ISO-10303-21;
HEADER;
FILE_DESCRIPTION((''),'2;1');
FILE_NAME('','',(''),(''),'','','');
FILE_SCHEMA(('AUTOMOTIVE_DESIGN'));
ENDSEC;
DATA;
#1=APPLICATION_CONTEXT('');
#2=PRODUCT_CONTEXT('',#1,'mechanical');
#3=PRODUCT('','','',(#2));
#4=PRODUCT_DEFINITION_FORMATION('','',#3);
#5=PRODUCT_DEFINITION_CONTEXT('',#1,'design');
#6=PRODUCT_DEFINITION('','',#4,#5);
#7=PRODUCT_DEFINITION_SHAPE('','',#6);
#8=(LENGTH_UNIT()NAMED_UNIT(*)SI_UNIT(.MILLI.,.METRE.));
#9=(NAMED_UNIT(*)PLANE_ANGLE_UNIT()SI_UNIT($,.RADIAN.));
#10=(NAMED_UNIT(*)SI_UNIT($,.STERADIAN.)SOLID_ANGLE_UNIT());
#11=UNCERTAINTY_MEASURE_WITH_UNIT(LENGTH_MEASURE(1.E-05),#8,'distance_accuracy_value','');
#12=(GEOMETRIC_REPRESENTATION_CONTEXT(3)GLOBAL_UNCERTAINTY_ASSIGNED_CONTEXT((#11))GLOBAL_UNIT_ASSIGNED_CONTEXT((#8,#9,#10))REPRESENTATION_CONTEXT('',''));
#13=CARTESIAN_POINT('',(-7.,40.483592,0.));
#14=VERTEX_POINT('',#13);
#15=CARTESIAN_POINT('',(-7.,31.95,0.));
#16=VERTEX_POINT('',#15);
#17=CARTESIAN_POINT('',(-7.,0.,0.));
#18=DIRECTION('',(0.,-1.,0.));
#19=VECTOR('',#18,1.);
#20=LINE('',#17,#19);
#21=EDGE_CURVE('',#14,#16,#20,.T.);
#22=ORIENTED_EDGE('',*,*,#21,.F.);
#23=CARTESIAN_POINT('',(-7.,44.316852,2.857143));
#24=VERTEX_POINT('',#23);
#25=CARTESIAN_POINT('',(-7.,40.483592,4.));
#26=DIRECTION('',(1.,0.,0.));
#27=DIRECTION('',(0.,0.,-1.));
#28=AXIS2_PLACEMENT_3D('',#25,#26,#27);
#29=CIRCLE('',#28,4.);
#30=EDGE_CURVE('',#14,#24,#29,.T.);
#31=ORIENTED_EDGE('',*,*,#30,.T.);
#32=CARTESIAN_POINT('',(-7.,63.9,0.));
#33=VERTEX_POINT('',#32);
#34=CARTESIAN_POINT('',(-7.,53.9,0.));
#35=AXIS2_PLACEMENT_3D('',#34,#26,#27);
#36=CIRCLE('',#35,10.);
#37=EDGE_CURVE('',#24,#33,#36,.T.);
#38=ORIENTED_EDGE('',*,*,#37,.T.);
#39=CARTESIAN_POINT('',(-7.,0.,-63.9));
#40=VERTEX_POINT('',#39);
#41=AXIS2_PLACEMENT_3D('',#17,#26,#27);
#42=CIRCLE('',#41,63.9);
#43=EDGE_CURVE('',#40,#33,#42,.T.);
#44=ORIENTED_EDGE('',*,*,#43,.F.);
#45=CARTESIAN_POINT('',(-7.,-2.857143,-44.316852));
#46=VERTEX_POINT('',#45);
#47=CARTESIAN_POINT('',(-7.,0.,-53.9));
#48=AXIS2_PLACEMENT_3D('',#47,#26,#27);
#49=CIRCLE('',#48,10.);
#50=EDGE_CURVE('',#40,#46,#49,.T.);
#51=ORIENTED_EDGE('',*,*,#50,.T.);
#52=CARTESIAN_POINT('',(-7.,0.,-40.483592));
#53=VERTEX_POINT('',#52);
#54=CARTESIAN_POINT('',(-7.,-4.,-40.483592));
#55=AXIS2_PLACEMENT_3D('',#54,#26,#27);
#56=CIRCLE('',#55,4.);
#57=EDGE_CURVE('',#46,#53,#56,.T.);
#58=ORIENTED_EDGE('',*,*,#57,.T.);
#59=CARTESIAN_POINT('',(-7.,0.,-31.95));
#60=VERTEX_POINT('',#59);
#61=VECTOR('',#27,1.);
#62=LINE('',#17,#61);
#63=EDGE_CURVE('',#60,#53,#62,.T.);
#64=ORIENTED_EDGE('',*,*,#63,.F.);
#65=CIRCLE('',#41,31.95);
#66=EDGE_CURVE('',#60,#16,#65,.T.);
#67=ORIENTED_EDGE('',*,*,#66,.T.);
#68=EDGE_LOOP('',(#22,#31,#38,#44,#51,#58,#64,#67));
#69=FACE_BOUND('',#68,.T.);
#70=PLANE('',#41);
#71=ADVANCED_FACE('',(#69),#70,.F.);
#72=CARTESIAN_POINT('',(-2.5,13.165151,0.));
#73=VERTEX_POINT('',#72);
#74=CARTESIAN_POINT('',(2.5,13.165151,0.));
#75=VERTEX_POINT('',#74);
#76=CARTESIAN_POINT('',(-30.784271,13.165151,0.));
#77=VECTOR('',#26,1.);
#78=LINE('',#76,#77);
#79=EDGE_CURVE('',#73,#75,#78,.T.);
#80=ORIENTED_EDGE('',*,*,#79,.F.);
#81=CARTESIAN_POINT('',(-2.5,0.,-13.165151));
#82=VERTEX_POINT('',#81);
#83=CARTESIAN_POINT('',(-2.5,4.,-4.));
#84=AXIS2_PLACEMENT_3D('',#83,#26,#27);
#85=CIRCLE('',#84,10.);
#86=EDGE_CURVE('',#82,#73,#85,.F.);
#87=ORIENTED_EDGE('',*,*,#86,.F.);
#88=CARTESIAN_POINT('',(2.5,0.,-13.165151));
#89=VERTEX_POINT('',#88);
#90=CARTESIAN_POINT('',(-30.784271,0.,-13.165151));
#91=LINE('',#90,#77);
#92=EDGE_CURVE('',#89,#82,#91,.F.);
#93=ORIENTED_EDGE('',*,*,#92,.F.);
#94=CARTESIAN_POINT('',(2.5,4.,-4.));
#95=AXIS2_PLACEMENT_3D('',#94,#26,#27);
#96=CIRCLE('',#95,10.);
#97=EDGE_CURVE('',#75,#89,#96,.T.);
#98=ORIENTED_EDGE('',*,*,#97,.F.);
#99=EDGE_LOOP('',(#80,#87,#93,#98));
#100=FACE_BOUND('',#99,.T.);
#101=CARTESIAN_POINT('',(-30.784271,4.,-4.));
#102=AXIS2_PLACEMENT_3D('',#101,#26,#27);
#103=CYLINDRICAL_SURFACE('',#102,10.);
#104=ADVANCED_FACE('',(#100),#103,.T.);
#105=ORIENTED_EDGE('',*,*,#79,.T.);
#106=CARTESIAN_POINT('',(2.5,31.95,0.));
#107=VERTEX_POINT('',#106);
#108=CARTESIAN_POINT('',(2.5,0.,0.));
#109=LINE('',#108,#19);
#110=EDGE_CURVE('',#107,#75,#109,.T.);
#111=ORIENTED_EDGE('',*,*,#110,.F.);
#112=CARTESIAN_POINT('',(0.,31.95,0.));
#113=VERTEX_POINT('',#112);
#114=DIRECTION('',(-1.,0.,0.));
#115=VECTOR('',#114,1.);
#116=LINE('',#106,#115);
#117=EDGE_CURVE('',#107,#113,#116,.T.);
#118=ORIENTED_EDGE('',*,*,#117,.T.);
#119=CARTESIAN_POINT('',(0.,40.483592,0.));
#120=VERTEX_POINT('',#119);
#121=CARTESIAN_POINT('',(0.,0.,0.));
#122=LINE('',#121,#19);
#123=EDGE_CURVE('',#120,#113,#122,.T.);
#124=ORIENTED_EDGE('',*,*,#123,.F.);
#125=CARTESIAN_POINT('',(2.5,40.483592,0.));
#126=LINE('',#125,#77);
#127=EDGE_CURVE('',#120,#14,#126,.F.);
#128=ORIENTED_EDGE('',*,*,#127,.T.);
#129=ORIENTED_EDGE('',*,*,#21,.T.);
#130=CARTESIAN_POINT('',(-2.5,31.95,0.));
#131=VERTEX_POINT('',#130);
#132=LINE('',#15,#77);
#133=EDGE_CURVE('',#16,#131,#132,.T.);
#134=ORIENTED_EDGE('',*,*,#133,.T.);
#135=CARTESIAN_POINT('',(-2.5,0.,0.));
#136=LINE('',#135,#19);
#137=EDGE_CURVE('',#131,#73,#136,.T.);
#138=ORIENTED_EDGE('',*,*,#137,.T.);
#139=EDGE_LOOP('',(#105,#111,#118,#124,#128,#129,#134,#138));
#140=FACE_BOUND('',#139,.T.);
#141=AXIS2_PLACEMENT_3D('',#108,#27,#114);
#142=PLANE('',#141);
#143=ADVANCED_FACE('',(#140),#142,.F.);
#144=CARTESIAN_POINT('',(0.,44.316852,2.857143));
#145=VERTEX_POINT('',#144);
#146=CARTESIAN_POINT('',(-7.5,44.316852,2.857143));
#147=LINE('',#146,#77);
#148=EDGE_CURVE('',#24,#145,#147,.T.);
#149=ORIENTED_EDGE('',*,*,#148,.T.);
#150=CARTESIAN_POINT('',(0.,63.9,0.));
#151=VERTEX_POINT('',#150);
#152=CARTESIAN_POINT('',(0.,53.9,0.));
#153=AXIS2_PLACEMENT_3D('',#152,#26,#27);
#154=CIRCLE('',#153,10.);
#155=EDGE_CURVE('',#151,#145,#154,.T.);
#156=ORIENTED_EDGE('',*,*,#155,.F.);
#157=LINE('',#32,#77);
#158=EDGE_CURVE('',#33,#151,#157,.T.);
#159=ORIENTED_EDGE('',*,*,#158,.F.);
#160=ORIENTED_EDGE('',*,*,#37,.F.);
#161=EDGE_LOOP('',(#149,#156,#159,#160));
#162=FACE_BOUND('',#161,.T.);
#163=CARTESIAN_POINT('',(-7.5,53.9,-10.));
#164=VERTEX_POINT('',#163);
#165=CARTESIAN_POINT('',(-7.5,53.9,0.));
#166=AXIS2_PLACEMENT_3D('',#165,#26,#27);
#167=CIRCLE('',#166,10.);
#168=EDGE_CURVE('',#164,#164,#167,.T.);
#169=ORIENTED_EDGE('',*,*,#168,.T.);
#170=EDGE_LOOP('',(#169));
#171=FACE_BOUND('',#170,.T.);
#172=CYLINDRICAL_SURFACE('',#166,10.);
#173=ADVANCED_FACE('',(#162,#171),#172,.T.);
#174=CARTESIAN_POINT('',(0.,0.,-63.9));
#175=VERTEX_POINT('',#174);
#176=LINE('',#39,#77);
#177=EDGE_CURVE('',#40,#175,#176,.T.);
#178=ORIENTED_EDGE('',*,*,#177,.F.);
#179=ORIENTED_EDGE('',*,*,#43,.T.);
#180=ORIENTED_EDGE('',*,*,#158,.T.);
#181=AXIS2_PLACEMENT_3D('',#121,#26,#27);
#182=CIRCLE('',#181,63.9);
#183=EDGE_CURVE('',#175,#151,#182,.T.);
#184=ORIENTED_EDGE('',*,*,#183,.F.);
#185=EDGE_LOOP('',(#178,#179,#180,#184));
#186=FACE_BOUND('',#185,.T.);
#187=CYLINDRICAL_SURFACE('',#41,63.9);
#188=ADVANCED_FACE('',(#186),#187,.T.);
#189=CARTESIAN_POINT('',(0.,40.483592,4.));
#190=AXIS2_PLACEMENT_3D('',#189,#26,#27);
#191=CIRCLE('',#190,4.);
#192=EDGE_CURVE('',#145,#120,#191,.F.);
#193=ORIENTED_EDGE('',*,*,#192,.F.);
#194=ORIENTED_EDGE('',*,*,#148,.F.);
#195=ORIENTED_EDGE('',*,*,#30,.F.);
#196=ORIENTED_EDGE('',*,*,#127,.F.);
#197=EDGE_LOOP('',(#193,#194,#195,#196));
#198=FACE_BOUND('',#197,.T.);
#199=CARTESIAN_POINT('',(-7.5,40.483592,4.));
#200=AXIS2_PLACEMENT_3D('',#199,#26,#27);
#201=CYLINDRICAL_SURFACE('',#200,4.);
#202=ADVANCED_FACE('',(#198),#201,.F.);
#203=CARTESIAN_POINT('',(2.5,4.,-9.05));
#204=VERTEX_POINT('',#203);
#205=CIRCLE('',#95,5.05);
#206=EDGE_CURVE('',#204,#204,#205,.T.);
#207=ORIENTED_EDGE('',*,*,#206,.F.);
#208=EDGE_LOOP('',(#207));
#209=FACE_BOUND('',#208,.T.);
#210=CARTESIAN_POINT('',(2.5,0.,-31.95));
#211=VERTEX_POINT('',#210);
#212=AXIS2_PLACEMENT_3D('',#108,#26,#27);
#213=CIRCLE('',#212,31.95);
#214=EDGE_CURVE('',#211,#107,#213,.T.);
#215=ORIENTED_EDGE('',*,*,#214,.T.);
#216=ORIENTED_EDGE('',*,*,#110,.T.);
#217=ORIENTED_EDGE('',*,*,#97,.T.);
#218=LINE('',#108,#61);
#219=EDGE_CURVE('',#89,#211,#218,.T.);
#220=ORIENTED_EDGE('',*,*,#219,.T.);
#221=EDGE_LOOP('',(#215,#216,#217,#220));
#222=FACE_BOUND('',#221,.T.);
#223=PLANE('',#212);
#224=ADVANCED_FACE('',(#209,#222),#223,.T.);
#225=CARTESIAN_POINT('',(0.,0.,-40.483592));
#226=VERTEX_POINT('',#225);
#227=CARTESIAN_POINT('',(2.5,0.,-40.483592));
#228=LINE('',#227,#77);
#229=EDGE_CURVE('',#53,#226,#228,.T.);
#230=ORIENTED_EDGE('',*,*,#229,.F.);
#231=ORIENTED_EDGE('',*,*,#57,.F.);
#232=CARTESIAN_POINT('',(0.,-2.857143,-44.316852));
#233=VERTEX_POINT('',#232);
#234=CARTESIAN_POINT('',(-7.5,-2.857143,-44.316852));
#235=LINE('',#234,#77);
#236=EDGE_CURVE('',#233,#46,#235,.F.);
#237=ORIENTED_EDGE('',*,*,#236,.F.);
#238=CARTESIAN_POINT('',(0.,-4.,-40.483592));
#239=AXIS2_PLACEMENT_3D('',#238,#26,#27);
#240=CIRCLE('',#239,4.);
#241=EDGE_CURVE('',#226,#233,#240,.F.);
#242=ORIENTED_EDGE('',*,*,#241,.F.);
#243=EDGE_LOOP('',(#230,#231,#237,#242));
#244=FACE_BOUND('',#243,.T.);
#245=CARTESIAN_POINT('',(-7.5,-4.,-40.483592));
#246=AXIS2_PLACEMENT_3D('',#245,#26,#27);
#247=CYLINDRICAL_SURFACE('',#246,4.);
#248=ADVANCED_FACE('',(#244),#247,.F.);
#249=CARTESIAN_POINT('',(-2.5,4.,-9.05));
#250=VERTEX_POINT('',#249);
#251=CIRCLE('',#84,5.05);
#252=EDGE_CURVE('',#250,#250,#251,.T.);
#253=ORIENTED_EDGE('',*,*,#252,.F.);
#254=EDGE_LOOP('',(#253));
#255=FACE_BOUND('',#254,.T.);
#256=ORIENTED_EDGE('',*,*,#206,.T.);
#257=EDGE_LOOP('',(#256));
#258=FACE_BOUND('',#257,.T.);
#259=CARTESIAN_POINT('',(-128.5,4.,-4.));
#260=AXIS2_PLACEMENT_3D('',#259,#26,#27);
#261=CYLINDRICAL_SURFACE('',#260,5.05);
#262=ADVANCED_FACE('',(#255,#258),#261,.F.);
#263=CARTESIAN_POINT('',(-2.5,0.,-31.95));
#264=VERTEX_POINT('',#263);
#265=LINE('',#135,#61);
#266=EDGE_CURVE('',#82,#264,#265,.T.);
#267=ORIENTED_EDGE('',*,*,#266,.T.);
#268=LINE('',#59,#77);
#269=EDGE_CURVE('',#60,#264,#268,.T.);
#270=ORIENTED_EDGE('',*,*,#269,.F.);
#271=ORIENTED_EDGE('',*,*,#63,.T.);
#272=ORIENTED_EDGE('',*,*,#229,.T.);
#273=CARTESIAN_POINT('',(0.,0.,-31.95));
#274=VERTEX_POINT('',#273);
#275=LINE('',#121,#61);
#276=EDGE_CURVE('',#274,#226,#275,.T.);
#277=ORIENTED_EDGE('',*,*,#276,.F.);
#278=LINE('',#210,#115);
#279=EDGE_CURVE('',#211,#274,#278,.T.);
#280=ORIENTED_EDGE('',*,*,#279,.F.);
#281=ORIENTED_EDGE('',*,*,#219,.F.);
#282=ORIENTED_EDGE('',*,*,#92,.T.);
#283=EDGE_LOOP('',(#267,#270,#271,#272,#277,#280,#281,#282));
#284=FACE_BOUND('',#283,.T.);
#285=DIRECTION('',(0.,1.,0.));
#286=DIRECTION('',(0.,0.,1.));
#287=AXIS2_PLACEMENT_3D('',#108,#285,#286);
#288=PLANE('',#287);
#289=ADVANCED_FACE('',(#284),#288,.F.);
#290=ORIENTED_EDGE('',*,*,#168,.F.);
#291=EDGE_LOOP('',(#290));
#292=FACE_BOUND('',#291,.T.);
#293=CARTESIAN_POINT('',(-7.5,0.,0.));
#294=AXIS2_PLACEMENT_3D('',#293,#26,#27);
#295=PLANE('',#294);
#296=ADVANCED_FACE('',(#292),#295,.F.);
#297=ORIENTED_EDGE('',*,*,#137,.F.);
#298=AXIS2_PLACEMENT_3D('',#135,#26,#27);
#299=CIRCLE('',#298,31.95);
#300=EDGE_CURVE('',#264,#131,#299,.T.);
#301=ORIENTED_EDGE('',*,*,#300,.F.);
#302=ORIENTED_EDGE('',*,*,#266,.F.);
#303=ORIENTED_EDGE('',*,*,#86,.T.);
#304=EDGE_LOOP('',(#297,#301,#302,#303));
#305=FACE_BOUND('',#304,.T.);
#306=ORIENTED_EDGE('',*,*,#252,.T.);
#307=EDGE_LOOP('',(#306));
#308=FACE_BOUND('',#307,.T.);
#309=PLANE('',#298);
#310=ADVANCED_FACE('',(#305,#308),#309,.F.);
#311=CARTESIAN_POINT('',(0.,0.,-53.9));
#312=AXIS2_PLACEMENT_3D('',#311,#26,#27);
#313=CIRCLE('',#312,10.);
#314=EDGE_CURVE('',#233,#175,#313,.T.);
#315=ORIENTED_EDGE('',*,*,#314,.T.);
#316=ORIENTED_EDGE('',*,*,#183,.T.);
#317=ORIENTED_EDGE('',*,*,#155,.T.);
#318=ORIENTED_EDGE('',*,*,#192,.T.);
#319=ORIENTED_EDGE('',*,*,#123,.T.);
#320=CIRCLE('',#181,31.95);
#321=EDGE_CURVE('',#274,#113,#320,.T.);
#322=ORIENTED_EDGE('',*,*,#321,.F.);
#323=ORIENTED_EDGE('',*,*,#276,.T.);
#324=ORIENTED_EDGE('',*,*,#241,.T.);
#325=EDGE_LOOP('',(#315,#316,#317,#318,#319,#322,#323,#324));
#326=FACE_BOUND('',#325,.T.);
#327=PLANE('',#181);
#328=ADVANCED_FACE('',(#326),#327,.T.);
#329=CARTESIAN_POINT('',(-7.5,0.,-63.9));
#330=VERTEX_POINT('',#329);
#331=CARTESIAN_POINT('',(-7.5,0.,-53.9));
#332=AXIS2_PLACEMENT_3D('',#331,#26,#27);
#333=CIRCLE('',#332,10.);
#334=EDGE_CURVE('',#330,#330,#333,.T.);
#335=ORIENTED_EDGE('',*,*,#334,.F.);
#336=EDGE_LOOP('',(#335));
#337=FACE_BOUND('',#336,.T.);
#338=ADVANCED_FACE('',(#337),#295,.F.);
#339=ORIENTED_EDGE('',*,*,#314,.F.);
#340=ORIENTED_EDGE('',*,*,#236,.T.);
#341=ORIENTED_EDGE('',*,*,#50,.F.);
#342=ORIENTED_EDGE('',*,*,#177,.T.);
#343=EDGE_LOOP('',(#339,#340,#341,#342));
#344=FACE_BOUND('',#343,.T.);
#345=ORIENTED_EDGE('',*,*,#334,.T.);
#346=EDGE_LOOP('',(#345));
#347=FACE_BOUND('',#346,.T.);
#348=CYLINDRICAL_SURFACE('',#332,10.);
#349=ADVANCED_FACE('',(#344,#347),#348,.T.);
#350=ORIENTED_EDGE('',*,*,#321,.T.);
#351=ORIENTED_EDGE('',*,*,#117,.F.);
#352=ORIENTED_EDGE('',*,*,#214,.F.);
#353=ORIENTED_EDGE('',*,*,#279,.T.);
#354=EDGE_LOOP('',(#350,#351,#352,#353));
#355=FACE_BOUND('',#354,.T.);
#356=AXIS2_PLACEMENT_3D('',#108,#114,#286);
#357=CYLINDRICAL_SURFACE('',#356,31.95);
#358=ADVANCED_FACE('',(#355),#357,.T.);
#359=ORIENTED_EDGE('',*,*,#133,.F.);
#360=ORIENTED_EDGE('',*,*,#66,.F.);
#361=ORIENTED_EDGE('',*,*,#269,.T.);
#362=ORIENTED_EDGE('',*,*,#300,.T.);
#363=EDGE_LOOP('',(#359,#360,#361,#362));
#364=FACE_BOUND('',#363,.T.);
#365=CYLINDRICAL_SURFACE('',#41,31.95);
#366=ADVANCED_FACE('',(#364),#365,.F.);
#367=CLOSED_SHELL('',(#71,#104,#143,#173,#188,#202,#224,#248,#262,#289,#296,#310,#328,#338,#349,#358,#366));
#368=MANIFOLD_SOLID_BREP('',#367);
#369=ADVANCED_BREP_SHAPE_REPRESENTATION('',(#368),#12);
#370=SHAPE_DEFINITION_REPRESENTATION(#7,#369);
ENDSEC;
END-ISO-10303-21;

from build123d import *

# Parameters (mm, degrees)
SALIENTE_EXTRUIR1_DEPTH = 2.5
SALIENTE_EXTRUIR2_DEPTH = 7
CROQUIS2_4_R            = 10
SALIENTE_EXTRUIR3_DEPTH = 7.5
REDONDEO1_R             = 4
REDONDEO2_R             = 4
CROQUIS3_R              = 10
SALIENTE_EXTRUIR4_DEPTH = 5
CROQUIS4_R              = 5.05
CORTAR_EXTRUIR1_DEPTH   = 131


with BuildPart() as part:
    # Croquis2 → Saliente-Extruir1 (new, symmetric)
    with BuildSketch(Plane(origin=(0, 0, 0), x_dir=(0, 0, -1), z_dir=(1, 0, 0))):
        with BuildLine():
            ThreePointArc((31.95, 0), (22.592061659, 22.592061659), (0, 31.95))
            Line((0, 31.95), (0, 0))
            Line((0, 0), (31.95, 0))
        make_face()
    extrude(amount=SALIENTE_EXTRUIR1_DEPTH, both=True)

    # Croquis2<3> → Saliente-Extruir2 (add)
    with BuildSketch(Plane(origin=(0, 0, 0), x_dir=(0, 0, -1), z_dir=(1, 0, 0))):
        with BuildLine():
            ThreePointArc((10, 53.9), (7.071067812, 46.828932188), (0, 43.9))
            Line((0, 43.9), (0, 31.95))
            ThreePointArc((0, 31.95), (22.592061659, 22.592061659), (31.95, 0))
            Line((31.95, 0), (43.9, 0))
            ThreePointArc((43.9, 0), (53.9, 10), (63.9, 0))
            ThreePointArc((63.9, 0), (45.184123318, 45.184123318), (0, 63.9))
            ThreePointArc((0, 63.9), (7.071067812, 60.971067812), (10, 53.9))
        make_face()
    extrude(amount=-SALIENTE_EXTRUIR2_DEPTH)

    # Croquis2<4> → Saliente-Extruir3 (add)
    with BuildSketch(Plane(origin=(0, 0, 0), x_dir=(0, 0, -1), z_dir=(1, 0, 0))):
        with Locations((0, 53.9)):
            Circle(CROQUIS2_4_R)
        with Locations((53.9, 0)):
            Circle(CROQUIS2_4_R)
    extrude(amount=-SALIENTE_EXTRUIR3_DEPTH)

    # Redondeo1
    redondeo1_edges = [part.edges().sort_by_distance(p)[0] for p in [
        (0, 0, 0),
    ]]
    fillet(redondeo1_edges, radius=REDONDEO1_R)

    # Redondeo2
    redondeo2_edges = [part.edges().sort_by_distance(p)[0] for p in [
        (-3.5, 43.9, 0),
        (-3.5, 0, -43.9),
    ]]
    fillet(redondeo2_edges, radius=REDONDEO2_R)

    # Croquis3 → Saliente-Extruir4 (add)
    with BuildSketch(Plane(origin=(2.5, 0, 0), x_dir=(0, 0, -1), z_dir=(1, 0, 0))):
        with Locations((4, 4)):
            Circle(CROQUIS3_R)
    extrude(amount=-SALIENTE_EXTRUIR4_DEPTH)

    # Croquis4 → Cortar-Extruir1 (cut)
    with BuildSketch(Plane(origin=(2.5, 0, 0), x_dir=(0, 0, -1), z_dir=(1, 0, 0))):
        with Locations((4, 4)):
            Circle(CROQUIS4_R)
    extrude(amount=-CORTAR_EXTRUIR1_DEPTH, mode=Mode.SUBTRACT)


solid = part.part
